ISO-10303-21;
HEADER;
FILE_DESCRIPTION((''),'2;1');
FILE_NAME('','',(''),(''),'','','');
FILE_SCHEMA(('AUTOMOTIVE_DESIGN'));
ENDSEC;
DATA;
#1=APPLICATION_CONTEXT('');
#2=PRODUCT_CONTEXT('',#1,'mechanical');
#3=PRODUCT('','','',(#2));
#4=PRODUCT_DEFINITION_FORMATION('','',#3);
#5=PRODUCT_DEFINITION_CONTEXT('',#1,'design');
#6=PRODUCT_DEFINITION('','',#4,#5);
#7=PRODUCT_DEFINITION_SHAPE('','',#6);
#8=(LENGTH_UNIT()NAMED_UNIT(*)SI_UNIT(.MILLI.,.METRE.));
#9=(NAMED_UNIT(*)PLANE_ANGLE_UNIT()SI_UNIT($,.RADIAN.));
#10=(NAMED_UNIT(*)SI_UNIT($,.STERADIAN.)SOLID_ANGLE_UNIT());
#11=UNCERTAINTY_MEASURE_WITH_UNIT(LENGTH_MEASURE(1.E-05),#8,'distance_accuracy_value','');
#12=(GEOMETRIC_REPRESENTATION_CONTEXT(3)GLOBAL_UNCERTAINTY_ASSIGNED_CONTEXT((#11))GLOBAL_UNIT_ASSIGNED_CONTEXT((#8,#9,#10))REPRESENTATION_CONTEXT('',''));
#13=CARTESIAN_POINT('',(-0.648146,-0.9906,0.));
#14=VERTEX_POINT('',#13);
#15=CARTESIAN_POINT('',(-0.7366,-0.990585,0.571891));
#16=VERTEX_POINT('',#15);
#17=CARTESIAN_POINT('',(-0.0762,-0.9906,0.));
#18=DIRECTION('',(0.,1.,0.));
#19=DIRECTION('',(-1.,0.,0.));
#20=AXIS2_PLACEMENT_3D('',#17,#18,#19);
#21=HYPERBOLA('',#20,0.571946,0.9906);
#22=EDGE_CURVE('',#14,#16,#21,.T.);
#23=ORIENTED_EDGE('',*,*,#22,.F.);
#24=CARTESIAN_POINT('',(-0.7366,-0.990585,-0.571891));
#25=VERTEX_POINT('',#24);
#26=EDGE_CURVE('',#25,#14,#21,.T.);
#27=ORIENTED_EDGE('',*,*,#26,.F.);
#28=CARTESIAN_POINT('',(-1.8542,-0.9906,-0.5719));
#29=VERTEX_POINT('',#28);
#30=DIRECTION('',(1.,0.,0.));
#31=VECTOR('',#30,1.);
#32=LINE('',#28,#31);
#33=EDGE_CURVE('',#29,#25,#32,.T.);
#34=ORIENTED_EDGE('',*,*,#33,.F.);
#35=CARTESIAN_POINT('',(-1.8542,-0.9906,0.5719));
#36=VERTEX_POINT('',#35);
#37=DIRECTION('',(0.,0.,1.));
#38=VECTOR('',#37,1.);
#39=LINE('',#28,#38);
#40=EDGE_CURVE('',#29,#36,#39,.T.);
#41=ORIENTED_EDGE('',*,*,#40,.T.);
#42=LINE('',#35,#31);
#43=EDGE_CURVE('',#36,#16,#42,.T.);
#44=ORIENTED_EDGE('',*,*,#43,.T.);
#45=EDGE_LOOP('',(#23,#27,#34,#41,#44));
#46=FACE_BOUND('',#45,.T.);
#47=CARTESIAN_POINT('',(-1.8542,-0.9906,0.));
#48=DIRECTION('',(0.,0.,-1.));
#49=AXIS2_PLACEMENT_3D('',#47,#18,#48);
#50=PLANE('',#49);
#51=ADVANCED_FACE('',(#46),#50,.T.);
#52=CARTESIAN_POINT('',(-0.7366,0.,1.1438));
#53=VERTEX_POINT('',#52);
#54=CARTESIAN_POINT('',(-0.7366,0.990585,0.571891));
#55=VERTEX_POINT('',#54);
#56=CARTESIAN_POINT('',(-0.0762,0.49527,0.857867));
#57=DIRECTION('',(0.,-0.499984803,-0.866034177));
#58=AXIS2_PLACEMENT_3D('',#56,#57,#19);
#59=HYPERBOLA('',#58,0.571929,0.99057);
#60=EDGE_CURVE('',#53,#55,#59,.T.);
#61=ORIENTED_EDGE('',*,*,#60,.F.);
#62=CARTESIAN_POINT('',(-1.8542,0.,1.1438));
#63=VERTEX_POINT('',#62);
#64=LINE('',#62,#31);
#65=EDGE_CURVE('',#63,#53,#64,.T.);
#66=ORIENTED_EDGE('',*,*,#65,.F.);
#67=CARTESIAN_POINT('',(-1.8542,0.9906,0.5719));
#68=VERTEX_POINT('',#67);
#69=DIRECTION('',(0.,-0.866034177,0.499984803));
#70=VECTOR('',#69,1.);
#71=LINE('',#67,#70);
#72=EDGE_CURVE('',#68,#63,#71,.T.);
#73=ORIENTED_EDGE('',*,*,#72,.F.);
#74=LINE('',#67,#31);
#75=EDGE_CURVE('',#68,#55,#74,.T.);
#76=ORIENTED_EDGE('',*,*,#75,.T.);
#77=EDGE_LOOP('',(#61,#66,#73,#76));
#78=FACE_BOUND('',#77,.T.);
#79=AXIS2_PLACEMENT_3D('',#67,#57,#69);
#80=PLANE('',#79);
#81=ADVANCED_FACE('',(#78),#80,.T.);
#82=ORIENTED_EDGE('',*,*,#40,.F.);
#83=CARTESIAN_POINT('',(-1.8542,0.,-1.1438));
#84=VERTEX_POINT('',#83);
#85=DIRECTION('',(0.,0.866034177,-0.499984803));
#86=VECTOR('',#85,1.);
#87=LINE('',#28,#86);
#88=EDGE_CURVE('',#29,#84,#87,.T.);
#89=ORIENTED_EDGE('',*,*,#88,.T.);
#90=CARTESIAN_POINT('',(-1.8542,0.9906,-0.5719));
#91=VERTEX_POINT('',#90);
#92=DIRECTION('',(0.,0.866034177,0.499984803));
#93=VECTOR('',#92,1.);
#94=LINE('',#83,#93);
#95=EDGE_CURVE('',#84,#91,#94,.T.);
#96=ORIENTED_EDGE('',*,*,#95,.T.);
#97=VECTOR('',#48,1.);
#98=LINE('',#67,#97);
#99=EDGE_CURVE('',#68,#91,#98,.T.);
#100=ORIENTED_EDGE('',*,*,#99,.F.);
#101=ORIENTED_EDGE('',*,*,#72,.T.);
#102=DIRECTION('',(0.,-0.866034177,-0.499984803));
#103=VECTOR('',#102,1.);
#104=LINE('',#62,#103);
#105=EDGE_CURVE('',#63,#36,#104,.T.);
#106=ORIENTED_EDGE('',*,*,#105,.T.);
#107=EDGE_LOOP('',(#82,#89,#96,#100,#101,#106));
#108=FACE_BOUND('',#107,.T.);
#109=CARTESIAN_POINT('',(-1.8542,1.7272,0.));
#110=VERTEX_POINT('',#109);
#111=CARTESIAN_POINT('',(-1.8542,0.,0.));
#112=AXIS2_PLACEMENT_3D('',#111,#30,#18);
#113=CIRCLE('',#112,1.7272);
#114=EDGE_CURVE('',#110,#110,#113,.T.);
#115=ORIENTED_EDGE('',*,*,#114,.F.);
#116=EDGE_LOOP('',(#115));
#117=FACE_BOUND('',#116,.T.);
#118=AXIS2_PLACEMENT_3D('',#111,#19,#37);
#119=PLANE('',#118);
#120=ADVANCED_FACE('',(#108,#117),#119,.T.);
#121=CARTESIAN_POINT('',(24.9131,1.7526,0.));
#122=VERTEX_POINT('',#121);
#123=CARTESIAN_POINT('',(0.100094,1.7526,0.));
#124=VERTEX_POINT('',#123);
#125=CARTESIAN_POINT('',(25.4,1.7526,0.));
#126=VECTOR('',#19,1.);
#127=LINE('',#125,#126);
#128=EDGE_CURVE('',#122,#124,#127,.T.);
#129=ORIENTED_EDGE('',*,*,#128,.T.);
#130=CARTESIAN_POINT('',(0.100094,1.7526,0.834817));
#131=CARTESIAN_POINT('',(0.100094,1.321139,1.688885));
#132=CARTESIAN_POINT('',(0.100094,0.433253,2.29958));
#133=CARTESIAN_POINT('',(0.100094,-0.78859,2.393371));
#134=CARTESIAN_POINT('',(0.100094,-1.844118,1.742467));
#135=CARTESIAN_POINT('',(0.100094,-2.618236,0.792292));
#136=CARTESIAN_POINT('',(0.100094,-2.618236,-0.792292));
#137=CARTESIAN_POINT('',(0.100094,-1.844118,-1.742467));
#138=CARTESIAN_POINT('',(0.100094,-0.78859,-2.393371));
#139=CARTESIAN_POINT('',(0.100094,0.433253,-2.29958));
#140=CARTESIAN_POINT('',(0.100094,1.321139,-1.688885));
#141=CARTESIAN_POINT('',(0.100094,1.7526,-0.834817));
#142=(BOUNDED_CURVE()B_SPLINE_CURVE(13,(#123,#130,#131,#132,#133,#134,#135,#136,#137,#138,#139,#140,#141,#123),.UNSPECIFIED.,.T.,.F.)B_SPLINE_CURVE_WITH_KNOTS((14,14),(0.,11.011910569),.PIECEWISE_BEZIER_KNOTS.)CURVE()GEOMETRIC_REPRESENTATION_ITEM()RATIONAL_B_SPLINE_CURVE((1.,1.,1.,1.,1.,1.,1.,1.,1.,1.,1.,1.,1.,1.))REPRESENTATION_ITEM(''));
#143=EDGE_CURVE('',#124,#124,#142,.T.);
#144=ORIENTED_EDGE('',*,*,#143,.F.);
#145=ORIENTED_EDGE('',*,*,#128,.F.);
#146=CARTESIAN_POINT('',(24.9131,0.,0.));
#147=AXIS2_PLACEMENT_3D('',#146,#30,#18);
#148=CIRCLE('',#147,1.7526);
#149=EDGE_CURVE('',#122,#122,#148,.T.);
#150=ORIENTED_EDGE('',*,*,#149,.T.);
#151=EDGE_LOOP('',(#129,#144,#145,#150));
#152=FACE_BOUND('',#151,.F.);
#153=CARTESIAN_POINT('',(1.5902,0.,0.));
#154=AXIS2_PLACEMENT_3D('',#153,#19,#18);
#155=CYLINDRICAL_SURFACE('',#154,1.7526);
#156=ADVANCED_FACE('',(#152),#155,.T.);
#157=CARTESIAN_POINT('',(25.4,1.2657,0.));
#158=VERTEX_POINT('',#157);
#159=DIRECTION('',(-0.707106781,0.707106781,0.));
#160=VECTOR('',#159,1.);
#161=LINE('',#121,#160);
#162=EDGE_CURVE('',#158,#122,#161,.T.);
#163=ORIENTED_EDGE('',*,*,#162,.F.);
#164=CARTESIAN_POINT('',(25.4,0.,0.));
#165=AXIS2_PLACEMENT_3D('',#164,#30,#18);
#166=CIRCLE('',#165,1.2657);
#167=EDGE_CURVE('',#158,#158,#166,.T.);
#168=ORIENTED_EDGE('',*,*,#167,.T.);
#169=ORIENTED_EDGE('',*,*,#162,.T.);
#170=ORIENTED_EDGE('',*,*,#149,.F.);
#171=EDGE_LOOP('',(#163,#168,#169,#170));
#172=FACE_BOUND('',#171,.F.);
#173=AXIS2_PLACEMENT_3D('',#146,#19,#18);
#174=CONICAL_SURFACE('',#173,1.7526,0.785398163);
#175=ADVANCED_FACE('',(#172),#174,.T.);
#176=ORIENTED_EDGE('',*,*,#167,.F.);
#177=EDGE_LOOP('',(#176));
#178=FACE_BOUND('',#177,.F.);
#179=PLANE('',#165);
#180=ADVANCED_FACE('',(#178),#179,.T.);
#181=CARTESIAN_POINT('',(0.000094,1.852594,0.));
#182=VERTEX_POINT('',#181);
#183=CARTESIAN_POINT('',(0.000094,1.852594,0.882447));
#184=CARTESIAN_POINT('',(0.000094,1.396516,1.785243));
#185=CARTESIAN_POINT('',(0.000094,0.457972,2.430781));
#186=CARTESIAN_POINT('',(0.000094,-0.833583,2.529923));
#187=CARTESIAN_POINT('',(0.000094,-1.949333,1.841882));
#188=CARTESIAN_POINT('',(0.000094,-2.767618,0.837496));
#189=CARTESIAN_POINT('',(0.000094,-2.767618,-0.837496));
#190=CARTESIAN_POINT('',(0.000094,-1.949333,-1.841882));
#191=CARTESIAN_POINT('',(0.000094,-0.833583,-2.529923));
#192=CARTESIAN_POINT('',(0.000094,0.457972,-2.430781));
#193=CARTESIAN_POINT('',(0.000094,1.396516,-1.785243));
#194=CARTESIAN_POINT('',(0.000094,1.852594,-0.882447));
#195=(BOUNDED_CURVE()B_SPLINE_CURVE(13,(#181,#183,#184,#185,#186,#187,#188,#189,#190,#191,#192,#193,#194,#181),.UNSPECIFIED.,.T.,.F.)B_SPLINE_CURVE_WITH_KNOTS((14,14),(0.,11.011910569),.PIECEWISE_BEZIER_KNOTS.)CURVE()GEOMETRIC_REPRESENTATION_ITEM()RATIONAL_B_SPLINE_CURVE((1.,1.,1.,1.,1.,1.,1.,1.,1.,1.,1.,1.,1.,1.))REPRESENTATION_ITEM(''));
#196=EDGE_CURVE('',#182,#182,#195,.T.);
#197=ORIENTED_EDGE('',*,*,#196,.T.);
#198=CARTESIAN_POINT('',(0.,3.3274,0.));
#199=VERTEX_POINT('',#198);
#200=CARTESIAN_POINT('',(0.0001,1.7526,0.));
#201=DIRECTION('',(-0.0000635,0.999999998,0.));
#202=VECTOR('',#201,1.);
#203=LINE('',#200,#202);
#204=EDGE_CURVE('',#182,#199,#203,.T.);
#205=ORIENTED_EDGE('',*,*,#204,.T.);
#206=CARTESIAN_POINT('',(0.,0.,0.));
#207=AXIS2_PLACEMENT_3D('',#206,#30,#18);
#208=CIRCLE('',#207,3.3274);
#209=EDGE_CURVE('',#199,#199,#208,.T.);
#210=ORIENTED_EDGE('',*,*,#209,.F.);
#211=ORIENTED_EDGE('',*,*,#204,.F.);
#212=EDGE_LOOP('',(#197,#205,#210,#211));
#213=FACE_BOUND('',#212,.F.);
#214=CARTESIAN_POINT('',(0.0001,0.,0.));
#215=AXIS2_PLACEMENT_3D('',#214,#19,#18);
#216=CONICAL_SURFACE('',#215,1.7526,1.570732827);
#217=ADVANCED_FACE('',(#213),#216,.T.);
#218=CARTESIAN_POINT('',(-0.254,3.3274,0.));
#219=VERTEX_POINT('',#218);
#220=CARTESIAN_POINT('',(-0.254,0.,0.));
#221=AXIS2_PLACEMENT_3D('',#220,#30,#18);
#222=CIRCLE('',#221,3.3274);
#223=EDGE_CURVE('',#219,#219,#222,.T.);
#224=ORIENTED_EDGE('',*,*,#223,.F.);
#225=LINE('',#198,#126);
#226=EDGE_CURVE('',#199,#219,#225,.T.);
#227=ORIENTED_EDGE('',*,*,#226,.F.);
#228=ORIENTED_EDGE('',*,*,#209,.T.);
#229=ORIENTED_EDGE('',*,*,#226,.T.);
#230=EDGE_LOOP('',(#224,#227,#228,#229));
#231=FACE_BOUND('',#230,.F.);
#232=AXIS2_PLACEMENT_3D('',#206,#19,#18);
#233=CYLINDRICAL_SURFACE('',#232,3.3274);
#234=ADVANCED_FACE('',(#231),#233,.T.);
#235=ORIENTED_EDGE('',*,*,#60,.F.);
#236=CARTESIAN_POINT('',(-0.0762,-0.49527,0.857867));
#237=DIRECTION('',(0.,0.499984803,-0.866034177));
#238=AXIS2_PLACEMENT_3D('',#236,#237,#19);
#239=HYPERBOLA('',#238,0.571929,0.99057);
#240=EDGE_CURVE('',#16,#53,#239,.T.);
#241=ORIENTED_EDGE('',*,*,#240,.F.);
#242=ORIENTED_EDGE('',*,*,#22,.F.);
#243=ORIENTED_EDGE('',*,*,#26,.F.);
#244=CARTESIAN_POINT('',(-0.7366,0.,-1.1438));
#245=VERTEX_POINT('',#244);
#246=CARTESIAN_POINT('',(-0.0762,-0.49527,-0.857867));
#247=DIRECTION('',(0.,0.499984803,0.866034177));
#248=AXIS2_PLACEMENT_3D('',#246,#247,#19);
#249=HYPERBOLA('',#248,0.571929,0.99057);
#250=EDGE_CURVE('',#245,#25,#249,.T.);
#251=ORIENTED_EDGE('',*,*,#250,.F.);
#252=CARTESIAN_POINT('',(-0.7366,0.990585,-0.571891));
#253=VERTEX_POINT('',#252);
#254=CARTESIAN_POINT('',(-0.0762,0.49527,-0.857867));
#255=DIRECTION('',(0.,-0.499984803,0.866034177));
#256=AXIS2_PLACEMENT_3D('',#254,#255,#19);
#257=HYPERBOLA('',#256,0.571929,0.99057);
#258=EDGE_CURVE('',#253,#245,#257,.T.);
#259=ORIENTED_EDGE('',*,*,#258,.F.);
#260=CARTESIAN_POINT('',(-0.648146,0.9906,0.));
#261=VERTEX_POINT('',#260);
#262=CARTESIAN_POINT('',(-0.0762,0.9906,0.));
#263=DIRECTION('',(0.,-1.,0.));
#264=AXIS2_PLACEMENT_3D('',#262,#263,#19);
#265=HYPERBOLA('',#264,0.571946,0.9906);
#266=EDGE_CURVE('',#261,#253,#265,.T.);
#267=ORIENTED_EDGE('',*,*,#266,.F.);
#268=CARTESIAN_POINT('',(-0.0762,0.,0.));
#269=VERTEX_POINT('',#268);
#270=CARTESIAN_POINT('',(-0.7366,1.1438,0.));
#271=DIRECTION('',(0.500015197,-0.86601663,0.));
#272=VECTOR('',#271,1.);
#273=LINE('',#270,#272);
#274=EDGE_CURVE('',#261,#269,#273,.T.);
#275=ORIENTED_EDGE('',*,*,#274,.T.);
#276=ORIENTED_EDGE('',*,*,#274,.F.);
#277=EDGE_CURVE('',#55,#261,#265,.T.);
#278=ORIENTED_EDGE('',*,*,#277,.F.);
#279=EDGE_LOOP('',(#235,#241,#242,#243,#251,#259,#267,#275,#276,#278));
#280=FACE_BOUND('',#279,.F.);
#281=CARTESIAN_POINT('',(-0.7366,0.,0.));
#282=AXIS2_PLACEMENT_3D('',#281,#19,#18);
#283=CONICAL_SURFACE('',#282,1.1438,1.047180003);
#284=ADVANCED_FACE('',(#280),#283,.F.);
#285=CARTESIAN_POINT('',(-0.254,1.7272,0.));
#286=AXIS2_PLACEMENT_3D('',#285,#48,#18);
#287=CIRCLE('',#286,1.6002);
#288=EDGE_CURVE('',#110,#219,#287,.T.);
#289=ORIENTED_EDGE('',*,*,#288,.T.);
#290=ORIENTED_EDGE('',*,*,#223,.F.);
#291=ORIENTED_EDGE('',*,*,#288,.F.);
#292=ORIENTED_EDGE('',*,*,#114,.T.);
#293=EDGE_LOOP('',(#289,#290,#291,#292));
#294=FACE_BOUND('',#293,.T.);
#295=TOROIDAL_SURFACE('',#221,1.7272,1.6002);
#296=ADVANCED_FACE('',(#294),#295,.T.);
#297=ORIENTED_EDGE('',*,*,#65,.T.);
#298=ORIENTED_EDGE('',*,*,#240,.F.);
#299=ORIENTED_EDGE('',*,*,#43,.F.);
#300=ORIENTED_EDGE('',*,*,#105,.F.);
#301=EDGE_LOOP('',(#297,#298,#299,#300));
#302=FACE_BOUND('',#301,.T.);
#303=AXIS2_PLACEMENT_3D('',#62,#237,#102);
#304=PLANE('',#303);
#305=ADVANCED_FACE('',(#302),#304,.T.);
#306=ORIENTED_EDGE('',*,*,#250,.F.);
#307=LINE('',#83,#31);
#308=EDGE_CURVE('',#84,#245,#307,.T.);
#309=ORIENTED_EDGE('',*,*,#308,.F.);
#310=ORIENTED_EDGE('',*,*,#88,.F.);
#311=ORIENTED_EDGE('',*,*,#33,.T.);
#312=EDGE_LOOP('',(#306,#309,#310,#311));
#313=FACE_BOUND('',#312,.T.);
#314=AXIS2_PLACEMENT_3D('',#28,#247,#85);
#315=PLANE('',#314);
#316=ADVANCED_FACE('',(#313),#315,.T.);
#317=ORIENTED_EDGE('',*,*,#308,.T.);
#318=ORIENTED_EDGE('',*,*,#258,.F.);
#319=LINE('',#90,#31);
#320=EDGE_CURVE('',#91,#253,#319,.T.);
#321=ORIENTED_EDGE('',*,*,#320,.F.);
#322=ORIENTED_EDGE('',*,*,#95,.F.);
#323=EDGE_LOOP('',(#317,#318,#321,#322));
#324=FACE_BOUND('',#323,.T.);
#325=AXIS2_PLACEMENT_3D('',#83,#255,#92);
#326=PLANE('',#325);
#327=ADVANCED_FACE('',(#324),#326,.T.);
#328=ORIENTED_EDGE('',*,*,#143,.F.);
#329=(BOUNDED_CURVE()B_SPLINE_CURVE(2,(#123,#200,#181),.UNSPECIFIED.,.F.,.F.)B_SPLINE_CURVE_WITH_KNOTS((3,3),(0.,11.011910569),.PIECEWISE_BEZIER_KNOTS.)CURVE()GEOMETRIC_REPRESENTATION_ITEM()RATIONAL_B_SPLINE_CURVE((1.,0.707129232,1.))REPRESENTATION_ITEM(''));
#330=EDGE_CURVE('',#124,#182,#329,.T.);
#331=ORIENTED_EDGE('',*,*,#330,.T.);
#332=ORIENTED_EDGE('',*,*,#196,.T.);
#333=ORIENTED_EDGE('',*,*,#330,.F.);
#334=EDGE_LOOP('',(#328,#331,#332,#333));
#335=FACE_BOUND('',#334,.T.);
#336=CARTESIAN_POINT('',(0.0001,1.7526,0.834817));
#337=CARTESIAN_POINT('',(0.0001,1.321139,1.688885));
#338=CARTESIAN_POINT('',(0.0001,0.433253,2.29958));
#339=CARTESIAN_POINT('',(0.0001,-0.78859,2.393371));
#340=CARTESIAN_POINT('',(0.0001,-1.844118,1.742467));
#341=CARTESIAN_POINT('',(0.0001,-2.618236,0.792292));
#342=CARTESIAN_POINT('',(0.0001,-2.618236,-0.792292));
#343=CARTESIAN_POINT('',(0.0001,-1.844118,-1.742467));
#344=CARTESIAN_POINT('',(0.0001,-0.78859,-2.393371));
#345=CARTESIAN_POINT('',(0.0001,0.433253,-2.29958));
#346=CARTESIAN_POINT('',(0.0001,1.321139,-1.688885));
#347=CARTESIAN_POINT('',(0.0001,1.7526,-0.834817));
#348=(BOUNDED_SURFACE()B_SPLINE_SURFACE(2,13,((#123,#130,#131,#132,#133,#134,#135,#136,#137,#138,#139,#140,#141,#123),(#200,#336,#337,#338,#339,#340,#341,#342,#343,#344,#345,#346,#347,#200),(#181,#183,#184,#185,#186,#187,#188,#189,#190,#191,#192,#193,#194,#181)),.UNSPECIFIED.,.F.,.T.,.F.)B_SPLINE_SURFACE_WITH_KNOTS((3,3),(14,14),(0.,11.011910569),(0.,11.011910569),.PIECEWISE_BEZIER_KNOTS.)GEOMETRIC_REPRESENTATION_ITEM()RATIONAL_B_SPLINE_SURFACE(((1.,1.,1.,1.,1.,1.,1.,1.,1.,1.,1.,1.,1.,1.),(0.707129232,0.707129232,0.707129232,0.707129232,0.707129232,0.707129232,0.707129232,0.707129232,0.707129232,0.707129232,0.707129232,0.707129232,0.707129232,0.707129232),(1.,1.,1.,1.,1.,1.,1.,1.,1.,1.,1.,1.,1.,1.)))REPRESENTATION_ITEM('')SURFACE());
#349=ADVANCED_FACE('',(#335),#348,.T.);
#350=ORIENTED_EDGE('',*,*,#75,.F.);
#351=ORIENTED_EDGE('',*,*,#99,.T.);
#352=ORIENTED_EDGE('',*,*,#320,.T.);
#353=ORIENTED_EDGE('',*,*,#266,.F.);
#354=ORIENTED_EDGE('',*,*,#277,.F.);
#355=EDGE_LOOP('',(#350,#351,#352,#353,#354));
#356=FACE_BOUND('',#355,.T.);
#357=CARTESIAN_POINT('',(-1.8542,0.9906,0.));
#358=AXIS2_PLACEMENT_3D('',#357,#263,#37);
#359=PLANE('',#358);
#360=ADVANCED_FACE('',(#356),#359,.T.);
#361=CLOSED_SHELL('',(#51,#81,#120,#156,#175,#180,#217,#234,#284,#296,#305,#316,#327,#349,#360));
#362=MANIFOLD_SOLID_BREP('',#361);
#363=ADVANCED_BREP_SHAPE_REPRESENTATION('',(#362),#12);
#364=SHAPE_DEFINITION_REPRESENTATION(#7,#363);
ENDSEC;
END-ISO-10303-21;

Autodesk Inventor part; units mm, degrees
ref_plane "YZ Plane" through (0, 0, 0) normal (1, 0, 0) x (0, 1, 0)
ref_plane "XZ Plane" through (0, 0, 0) normal (0, 1, 0) x (-1, 0, 0)
sketch "Sketch1" plane through (0, 0, 0) normal (0, 0, 1) x (1, 0, 0)
  line L0 (-0.0762, 0) -> (25.4, 0)
  line L1 (25.4, 0) -> (25.4, 1.7526)
  line L2 (25.4, 1.7526) -> (1.5902, 1.7526)
  line L3 (1.5902, 1.7526) -> (0.0001, 1.7526)
  line L4 (0.0001, 1.7526) -> (0, 1.7526)
  line L5 (0, 1.7526) -> (0, 3.3274)
  line L6 (0, 3.3274) -> (-1.8542, 3.3274)
  line L7 (-1.8542, 3.3274) -> (-1.8542, 1.1438)
  line L8 (-1.8542, 1.1438) -> (-0.7366, 1.1438)
  line L9 (-0.7366, 1.1438) -> (-0.0762, 0)
  line L10 (-7.305, 0) -> (30.8508, 0) projected
  line L11 (0, -0.6655) -> (0, 3.9929) projected
  line L12 (1.5902, 1.7526) -> (0, 1.7526) construction
  dimension "d1" = 23.8098
  dimension "d2" = 1.5901
  dimension "d3" = 1.8542
  dimension "d4" = 1.1176
  dimension "d5" = 60
  dimension "d6" = 3.5052
  dimension "d7" = 3.5052
  dimension "d8" = 2.2877
  dimension "d9" = 6.6548
  dimension "d26" = 25.4
revolve "Body" add sketch "Sketch1" angle 360 about axis through (-0.0762, 0, 0) along (1, 0, 0)
sketch "Sketch2" plane through (-1.8542, 0, 0) normal (-1, 0, 0) x (0, 0, 1)
  circle A0 centre (0, 0) radius 1.1438 projected
  line L0 (0, -4.6584) -> (0, 4.6584) projected
  line L1 (-4.6584, 0) -> (4.6584, 0) projected
  line L2 (1.1438, 0) -> (0.5719, -0.9906)
  line L3 (0.5719, -0.9906) -> (-0.5719, -0.9906)
  line L4 (-0.5719, -0.9906) -> (-1.1438, 0)
  line L5 (-1.1438, 0) -> (-0.5719, 0.9906)
  line L6 (-0.5719, 0.9906) -> (0.5719, 0.9906)
  line L7 (0.5719, 0.9906) -> (1.1438, 0)
extrude "Slot" add sketch "Sketch2" against normal up to next contours L7 A0 | A0 L2 | L6 L0 A0 | A0 L0 L3 | L0 L6 A0 | A0 L3 L0 | L4 A0 | A0 L5
fillet "Fillet1" radius 1.6002 1 edges at (-1.8542, -3.3274, 0)
thread "Thread" size "6-32 UNC" class "2A" standard "ANSI Unified Screw Threads" length 23.8098
chamfer "Chamfer1" distance 0.4869 distance2 0.4869 1 edges at (25.4, -1.7526, 0) measured on face at (25.4, -0.6726, -0.7284)
ref_plane "Work Plane1" through (29, 0, 0) normal (0, -1, 0) x (1, 0, 0)
fillet "Fillet2" radius 0.1 1 edges at (0.0001, -1.7526, 0)
equation "\"d1\" = GEL"
equation "\"d3\" = KOH"
equation "\"d4\" = INTI"
equation "\"d6\" = GD"
equation "\"d7\" = BDM"
equation "\"d8\" = 1.1547 * SW"
equation "\"d9\" = KOD"
equation "\"d26\" = NLG"
equation "\"d30\" = R"
equation "\"d17\" = RR"
equation "\"d13\" = GEL"
equation "\"d15\" = -0.5 * SPD + 0.5 * GD"
equation "\"d16\" = GUL"
equation "\"GD\" = NND"
equation "\"NLG\" = 25.4"
equation "\"GEL\" = 23.80976"
equation "\"KOD\" = 6.6548"
equation "\"KOH\" = 1.8542"
equation "\"INTI\" = 1.1176"
equation "\"GAL\" = 1.59004"
equation "\"GUL\" = 0.48692"
equation "\"BDM\" = NND"
equation "\"SW\" = 1.9812"
equation "\"RR\" = 1.6002"
equation "\"SPD\" = 2.53136"
equation "\"R\" = 0.1"
equation "\"TOA\" = 30deg"
equation "\"GD1\" = SPD"
equation "\"THREADDIA\" = 3.5052"
equation "\"KOH1\" = 0.381"
equation "\"NND\" = 3.5052"
equation "\"E0\" = 2.28829"
properties part number "ANSI B18.3 - 6 - 32 x 1, HSBHCSI" material "Steel, Mild"
